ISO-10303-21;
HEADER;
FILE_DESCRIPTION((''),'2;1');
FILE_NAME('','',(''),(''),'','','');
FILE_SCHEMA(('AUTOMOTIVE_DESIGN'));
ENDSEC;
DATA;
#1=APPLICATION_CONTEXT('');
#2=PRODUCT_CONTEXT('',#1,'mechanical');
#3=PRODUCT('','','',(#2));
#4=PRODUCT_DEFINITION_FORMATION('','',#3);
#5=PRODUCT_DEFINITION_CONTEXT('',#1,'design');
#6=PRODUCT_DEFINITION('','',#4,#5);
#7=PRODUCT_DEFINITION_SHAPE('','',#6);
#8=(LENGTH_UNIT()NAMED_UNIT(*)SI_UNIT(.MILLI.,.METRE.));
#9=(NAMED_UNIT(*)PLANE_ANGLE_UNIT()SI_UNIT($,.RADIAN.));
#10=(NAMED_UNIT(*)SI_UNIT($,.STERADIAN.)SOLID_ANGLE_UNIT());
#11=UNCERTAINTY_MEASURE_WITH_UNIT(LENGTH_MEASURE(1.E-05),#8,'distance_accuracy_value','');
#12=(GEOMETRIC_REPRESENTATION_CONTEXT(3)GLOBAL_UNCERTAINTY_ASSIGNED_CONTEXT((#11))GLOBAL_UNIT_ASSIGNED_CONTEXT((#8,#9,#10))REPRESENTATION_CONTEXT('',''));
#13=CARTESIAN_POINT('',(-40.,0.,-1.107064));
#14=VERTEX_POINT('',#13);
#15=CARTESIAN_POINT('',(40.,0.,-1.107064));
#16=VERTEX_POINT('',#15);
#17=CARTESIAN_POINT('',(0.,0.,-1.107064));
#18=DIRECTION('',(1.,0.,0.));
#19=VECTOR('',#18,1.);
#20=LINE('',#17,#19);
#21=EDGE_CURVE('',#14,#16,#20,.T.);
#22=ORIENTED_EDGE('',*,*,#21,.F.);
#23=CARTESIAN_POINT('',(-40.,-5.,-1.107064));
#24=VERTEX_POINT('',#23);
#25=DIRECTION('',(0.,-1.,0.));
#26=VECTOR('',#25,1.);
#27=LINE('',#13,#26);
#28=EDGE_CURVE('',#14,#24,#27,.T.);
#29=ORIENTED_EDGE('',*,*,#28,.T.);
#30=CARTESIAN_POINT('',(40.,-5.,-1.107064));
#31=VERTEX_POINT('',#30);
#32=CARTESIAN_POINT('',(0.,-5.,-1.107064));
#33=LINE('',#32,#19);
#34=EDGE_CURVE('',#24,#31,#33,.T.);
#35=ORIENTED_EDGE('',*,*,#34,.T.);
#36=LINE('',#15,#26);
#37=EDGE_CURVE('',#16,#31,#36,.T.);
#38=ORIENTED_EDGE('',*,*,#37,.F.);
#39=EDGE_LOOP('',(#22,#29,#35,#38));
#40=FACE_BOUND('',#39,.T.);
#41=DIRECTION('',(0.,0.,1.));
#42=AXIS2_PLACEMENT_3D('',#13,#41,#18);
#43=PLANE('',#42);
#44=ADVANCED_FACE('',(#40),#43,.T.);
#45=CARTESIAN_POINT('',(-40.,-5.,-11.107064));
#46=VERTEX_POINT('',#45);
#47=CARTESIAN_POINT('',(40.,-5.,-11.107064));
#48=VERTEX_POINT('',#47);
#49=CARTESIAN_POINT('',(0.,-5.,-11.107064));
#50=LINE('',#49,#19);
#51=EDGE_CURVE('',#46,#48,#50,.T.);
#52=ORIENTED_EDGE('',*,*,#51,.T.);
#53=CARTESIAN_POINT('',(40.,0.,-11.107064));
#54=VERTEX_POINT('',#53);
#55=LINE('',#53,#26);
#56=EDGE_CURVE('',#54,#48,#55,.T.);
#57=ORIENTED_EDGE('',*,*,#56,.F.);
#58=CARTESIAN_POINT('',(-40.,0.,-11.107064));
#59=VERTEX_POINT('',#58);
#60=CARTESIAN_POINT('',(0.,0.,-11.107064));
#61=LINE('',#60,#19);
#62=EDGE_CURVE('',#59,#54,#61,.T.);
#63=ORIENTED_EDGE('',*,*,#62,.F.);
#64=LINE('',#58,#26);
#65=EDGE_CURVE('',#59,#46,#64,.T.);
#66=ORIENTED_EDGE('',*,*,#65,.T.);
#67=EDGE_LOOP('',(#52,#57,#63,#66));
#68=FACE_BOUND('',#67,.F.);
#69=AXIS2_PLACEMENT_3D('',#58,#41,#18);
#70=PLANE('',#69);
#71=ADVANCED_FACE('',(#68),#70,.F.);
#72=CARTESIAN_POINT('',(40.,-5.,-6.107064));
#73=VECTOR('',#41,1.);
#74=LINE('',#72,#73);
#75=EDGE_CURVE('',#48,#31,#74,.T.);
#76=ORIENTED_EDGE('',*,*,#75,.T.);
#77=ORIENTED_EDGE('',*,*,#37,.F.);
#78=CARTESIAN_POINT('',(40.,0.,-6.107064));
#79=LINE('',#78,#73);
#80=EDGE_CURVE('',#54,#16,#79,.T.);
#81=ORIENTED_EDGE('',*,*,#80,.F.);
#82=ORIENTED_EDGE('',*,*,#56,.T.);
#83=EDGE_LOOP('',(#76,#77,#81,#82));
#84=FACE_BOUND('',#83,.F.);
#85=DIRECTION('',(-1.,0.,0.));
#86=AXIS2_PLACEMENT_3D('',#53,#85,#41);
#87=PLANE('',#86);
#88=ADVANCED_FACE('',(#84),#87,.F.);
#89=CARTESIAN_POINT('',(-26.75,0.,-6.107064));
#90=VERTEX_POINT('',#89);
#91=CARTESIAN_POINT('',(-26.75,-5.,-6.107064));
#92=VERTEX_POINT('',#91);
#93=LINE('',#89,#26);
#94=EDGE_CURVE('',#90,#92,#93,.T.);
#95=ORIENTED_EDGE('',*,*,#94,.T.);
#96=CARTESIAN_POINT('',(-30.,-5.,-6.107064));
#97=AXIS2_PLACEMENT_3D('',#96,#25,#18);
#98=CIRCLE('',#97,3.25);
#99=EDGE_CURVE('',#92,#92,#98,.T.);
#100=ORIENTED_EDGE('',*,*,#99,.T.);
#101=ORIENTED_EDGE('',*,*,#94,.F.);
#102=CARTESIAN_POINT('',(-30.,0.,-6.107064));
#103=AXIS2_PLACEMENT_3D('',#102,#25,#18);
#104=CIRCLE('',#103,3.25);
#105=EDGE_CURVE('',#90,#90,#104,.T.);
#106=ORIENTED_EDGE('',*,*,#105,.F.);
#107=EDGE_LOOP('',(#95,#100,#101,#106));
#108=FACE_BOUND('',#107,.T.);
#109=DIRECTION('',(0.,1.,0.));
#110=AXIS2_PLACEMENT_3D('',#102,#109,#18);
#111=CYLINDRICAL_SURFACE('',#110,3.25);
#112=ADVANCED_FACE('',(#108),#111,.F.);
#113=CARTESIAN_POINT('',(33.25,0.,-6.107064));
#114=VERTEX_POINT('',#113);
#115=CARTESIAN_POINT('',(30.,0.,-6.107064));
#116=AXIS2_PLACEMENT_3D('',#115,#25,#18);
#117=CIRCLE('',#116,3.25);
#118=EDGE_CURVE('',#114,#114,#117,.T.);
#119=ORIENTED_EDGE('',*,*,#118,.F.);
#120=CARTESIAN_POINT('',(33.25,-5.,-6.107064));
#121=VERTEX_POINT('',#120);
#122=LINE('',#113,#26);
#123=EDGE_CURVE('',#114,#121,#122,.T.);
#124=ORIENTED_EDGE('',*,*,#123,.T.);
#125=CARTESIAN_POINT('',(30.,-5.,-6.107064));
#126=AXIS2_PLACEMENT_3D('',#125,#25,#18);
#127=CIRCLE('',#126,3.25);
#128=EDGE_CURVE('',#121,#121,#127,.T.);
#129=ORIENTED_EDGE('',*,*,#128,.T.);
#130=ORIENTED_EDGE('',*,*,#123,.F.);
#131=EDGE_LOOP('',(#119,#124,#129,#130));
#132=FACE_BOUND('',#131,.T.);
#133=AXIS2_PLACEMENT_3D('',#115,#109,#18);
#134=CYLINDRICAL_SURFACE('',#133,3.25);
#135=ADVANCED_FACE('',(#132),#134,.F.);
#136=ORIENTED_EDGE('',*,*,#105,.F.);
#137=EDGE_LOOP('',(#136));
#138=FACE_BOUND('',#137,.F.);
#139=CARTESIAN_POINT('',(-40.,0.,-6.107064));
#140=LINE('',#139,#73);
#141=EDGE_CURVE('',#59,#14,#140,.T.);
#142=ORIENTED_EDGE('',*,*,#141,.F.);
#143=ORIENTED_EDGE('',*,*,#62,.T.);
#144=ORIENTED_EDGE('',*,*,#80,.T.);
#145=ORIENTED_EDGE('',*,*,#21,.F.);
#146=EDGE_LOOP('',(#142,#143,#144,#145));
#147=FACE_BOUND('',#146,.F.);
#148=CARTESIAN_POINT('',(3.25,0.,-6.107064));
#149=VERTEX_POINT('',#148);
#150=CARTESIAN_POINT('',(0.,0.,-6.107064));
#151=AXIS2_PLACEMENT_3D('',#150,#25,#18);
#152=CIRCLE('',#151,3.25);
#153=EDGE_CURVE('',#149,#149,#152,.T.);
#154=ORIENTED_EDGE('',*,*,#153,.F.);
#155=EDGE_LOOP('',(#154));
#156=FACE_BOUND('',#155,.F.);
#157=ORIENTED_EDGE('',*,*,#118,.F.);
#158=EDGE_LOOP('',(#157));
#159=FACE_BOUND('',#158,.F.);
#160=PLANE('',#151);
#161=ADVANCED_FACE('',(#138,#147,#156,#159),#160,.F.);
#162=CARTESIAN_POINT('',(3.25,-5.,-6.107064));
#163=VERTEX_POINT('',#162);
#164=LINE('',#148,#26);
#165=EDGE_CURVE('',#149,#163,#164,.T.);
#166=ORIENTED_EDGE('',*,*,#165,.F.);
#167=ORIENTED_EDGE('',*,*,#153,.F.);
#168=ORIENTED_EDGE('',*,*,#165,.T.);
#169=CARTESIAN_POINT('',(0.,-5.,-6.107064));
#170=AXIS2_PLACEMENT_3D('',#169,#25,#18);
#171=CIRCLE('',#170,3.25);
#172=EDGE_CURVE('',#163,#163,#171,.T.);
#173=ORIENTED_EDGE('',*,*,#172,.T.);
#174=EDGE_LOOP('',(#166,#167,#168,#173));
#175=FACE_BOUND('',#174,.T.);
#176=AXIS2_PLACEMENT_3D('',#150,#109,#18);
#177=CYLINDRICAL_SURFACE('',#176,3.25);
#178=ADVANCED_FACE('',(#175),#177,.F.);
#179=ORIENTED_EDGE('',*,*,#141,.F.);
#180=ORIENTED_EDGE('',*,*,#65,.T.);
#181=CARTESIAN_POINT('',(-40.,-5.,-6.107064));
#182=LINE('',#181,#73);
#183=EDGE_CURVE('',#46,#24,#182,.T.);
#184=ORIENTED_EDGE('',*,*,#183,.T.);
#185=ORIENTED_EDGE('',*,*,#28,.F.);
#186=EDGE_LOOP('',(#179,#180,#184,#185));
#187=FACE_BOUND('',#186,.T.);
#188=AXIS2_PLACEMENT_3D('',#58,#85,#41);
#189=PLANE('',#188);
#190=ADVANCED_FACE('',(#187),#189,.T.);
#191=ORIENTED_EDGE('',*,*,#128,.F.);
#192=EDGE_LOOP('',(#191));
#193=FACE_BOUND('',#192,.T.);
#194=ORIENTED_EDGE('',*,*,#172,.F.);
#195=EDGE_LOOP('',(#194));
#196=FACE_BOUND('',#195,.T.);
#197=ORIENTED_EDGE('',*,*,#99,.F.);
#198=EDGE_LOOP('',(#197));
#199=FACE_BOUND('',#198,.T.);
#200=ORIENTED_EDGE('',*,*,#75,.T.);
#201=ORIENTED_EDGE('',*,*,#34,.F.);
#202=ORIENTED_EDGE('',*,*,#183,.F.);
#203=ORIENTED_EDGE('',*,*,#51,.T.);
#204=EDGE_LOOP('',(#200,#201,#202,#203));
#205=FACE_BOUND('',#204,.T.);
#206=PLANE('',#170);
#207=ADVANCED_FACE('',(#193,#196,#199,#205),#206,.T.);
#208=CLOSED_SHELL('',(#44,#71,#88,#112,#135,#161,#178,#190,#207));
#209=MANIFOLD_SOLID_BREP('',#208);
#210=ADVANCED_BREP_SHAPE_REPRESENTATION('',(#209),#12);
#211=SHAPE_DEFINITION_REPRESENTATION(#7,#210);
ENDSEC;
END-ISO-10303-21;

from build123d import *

# Parameters (mm, degrees)
F0_W     = 80
F0_H     = 10
F0_R     = 3.25
F1_DEPTH = 5
F2_DEPTH = 5


with BuildPart() as f1:
    # F0 (on Front) → F1 (new body)
    with BuildSketch(Plane.XZ):
        with Locations((0, -6.107064)):
            Rectangle(F0_W, F0_H)
        with Locations((-30, -6.107064)):
            Circle(F0_R, mode=Mode.SUBTRACT)
        with Locations((0, -6.107064)):
            Circle(F0_R, mode=Mode.SUBTRACT)
        with Locations((30, -6.107064)):
            Circle(F0_R, mode=Mode.SUBTRACT)
    extrude(amount=F1_DEPTH)

    # F0 (on Front) → F2 (join)
    with BuildSketch(Plane.XZ):
        with Locations((0, -6.107064)):
            Rectangle(F0_W, F0_H)
        with Locations((-30, -6.107064)):
            Circle(F0_R, mode=Mode.SUBTRACT)
        with Locations((0, -6.107064)):
            Circle(F0_R, mode=Mode.SUBTRACT)
        with Locations((30, -6.107064)):
            Circle(F0_R, mode=Mode.SUBTRACT)
    extrude(amount=F2_DEPTH)


solid = f1.part
